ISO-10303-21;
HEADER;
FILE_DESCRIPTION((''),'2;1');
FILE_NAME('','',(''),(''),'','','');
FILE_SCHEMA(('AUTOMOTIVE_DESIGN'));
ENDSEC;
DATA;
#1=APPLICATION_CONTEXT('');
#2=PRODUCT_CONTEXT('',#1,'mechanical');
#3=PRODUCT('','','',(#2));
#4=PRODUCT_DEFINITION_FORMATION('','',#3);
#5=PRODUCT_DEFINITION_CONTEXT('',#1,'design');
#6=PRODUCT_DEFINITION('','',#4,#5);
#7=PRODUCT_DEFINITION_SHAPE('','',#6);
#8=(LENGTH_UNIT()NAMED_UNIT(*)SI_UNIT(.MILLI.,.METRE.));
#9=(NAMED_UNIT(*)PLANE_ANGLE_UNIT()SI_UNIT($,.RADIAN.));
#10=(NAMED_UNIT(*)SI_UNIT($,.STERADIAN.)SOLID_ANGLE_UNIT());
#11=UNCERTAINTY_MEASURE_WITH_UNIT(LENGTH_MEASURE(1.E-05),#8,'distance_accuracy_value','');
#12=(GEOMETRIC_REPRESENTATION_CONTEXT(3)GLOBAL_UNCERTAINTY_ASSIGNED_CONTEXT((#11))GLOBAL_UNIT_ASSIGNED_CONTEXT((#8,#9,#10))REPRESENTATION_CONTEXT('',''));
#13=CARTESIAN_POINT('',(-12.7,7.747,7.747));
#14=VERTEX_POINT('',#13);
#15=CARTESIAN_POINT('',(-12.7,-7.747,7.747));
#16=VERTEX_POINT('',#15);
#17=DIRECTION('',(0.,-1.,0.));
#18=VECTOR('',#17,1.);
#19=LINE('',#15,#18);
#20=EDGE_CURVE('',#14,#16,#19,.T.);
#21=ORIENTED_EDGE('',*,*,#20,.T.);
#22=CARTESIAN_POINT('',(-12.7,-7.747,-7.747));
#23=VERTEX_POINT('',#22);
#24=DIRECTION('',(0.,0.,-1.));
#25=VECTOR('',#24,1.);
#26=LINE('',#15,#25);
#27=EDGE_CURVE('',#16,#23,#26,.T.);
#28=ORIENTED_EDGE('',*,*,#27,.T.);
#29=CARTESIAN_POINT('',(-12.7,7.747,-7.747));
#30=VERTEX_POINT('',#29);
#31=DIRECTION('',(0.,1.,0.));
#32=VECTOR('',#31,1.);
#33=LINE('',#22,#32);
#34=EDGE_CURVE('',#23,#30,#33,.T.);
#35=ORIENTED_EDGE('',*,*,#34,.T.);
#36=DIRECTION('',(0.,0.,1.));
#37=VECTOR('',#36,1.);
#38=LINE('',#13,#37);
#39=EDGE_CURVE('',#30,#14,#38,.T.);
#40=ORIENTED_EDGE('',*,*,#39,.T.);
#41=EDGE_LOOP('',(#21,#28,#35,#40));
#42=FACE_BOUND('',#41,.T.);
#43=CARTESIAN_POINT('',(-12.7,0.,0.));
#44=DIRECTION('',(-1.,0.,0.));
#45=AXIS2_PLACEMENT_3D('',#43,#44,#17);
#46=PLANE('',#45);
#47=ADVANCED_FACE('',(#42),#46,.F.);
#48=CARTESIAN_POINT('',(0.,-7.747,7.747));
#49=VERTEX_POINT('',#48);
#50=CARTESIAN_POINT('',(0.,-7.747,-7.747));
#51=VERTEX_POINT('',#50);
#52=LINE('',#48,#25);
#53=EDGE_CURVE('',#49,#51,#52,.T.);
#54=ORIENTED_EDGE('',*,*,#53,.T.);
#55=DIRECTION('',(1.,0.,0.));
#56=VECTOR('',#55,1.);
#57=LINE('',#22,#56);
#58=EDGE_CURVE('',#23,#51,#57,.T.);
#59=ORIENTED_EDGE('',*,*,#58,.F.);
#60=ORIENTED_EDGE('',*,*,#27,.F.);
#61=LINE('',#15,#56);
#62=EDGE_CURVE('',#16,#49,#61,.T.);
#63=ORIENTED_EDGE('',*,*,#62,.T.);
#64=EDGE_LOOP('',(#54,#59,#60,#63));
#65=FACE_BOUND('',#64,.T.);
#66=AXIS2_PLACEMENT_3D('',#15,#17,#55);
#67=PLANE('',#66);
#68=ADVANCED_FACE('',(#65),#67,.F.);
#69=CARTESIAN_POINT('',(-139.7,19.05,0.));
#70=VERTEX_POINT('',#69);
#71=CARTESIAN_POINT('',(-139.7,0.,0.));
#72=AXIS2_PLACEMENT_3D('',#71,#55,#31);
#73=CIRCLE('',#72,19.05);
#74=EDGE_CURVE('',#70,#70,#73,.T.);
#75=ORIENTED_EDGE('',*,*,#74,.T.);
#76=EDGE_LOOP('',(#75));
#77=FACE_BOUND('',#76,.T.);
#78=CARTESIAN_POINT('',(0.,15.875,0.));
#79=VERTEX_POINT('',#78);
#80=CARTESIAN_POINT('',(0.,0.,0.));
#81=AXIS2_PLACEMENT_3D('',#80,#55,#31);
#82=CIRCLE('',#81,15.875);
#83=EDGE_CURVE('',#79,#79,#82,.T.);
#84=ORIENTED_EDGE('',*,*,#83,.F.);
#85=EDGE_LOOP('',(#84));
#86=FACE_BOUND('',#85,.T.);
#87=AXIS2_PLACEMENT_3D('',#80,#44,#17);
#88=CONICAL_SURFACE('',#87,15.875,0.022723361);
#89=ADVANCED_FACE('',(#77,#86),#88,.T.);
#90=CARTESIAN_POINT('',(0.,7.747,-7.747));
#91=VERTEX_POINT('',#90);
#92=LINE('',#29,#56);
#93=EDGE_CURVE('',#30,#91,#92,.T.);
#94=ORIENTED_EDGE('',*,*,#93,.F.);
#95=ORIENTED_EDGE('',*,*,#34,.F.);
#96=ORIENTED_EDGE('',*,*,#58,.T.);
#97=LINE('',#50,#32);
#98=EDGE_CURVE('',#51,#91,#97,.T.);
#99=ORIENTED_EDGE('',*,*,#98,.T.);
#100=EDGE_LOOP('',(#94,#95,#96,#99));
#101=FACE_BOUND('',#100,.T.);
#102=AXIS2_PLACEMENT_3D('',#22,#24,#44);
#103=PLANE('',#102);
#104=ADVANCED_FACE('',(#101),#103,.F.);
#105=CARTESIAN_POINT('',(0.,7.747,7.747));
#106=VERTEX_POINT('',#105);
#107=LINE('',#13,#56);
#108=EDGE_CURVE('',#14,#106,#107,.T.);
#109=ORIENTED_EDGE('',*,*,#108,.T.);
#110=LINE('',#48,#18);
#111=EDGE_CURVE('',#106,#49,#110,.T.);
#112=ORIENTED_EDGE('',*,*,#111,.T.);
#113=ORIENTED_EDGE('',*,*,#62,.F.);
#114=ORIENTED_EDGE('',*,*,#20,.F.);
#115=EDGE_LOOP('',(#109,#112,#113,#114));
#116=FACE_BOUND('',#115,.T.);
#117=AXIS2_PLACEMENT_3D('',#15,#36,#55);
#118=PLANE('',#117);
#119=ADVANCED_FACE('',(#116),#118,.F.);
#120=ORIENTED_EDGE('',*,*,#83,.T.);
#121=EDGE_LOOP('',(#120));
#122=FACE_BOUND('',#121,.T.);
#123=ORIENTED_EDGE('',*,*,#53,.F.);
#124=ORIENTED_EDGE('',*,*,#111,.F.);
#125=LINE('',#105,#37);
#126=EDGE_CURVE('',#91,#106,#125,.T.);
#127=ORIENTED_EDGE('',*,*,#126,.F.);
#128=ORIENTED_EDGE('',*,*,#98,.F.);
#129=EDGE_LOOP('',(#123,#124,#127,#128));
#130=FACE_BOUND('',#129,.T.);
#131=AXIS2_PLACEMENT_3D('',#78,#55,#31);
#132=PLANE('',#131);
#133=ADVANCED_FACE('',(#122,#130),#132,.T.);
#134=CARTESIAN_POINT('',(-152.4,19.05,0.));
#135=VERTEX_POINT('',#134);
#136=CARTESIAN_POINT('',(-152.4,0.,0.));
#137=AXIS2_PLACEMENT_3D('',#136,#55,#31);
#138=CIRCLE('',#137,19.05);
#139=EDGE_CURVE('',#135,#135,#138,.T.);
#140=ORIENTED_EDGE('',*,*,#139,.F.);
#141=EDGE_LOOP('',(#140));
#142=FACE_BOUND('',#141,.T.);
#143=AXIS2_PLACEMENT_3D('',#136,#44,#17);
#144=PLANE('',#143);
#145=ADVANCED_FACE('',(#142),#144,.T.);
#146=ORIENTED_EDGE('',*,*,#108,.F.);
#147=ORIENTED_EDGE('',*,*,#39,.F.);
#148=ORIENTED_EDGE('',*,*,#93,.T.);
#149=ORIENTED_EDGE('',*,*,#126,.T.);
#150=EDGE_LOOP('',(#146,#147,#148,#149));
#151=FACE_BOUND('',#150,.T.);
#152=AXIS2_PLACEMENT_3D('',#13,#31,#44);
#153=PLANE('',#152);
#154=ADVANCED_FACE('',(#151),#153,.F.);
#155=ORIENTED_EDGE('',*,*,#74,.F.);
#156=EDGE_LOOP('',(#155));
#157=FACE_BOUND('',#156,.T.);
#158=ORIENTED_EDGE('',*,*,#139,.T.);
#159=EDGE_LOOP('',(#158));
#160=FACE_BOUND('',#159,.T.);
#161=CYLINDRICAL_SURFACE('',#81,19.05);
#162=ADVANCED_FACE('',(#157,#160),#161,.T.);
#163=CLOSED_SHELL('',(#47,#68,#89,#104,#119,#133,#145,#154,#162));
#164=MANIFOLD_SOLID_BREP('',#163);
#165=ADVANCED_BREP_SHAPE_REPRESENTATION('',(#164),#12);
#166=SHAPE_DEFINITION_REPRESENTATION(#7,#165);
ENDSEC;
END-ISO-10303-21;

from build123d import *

# Parameters (mm, degrees)
SKETCH2_W          = 15.494
SKETCH2_H          = 15.494
CUT_EXTRUDE1_DEPTH = 12.7


with BuildPart() as part:
    # Sketch1 → Revolve1 (revolve)
    with BuildSketch(Plane.XY):
        Polygon((0, 15.875), (0, 0), (-152.4, 0), (-152.4, 19.05), (-139.7, 19.05), align=None)
    revolve(axis=Axis((0, 0, 0), (-1, 0, 0)))

    # Sketch2 → Cut-Extrude1 (cut)
    with BuildSketch(Plane(origin=(0, 0, 0), x_dir=(0, 0, -1), z_dir=(1, 0, 0))):
        Rectangle(SKETCH2_W, SKETCH2_H)
    extrude(amount=-CUT_EXTRUDE1_DEPTH, mode=Mode.SUBTRACT)


solid = part.part
